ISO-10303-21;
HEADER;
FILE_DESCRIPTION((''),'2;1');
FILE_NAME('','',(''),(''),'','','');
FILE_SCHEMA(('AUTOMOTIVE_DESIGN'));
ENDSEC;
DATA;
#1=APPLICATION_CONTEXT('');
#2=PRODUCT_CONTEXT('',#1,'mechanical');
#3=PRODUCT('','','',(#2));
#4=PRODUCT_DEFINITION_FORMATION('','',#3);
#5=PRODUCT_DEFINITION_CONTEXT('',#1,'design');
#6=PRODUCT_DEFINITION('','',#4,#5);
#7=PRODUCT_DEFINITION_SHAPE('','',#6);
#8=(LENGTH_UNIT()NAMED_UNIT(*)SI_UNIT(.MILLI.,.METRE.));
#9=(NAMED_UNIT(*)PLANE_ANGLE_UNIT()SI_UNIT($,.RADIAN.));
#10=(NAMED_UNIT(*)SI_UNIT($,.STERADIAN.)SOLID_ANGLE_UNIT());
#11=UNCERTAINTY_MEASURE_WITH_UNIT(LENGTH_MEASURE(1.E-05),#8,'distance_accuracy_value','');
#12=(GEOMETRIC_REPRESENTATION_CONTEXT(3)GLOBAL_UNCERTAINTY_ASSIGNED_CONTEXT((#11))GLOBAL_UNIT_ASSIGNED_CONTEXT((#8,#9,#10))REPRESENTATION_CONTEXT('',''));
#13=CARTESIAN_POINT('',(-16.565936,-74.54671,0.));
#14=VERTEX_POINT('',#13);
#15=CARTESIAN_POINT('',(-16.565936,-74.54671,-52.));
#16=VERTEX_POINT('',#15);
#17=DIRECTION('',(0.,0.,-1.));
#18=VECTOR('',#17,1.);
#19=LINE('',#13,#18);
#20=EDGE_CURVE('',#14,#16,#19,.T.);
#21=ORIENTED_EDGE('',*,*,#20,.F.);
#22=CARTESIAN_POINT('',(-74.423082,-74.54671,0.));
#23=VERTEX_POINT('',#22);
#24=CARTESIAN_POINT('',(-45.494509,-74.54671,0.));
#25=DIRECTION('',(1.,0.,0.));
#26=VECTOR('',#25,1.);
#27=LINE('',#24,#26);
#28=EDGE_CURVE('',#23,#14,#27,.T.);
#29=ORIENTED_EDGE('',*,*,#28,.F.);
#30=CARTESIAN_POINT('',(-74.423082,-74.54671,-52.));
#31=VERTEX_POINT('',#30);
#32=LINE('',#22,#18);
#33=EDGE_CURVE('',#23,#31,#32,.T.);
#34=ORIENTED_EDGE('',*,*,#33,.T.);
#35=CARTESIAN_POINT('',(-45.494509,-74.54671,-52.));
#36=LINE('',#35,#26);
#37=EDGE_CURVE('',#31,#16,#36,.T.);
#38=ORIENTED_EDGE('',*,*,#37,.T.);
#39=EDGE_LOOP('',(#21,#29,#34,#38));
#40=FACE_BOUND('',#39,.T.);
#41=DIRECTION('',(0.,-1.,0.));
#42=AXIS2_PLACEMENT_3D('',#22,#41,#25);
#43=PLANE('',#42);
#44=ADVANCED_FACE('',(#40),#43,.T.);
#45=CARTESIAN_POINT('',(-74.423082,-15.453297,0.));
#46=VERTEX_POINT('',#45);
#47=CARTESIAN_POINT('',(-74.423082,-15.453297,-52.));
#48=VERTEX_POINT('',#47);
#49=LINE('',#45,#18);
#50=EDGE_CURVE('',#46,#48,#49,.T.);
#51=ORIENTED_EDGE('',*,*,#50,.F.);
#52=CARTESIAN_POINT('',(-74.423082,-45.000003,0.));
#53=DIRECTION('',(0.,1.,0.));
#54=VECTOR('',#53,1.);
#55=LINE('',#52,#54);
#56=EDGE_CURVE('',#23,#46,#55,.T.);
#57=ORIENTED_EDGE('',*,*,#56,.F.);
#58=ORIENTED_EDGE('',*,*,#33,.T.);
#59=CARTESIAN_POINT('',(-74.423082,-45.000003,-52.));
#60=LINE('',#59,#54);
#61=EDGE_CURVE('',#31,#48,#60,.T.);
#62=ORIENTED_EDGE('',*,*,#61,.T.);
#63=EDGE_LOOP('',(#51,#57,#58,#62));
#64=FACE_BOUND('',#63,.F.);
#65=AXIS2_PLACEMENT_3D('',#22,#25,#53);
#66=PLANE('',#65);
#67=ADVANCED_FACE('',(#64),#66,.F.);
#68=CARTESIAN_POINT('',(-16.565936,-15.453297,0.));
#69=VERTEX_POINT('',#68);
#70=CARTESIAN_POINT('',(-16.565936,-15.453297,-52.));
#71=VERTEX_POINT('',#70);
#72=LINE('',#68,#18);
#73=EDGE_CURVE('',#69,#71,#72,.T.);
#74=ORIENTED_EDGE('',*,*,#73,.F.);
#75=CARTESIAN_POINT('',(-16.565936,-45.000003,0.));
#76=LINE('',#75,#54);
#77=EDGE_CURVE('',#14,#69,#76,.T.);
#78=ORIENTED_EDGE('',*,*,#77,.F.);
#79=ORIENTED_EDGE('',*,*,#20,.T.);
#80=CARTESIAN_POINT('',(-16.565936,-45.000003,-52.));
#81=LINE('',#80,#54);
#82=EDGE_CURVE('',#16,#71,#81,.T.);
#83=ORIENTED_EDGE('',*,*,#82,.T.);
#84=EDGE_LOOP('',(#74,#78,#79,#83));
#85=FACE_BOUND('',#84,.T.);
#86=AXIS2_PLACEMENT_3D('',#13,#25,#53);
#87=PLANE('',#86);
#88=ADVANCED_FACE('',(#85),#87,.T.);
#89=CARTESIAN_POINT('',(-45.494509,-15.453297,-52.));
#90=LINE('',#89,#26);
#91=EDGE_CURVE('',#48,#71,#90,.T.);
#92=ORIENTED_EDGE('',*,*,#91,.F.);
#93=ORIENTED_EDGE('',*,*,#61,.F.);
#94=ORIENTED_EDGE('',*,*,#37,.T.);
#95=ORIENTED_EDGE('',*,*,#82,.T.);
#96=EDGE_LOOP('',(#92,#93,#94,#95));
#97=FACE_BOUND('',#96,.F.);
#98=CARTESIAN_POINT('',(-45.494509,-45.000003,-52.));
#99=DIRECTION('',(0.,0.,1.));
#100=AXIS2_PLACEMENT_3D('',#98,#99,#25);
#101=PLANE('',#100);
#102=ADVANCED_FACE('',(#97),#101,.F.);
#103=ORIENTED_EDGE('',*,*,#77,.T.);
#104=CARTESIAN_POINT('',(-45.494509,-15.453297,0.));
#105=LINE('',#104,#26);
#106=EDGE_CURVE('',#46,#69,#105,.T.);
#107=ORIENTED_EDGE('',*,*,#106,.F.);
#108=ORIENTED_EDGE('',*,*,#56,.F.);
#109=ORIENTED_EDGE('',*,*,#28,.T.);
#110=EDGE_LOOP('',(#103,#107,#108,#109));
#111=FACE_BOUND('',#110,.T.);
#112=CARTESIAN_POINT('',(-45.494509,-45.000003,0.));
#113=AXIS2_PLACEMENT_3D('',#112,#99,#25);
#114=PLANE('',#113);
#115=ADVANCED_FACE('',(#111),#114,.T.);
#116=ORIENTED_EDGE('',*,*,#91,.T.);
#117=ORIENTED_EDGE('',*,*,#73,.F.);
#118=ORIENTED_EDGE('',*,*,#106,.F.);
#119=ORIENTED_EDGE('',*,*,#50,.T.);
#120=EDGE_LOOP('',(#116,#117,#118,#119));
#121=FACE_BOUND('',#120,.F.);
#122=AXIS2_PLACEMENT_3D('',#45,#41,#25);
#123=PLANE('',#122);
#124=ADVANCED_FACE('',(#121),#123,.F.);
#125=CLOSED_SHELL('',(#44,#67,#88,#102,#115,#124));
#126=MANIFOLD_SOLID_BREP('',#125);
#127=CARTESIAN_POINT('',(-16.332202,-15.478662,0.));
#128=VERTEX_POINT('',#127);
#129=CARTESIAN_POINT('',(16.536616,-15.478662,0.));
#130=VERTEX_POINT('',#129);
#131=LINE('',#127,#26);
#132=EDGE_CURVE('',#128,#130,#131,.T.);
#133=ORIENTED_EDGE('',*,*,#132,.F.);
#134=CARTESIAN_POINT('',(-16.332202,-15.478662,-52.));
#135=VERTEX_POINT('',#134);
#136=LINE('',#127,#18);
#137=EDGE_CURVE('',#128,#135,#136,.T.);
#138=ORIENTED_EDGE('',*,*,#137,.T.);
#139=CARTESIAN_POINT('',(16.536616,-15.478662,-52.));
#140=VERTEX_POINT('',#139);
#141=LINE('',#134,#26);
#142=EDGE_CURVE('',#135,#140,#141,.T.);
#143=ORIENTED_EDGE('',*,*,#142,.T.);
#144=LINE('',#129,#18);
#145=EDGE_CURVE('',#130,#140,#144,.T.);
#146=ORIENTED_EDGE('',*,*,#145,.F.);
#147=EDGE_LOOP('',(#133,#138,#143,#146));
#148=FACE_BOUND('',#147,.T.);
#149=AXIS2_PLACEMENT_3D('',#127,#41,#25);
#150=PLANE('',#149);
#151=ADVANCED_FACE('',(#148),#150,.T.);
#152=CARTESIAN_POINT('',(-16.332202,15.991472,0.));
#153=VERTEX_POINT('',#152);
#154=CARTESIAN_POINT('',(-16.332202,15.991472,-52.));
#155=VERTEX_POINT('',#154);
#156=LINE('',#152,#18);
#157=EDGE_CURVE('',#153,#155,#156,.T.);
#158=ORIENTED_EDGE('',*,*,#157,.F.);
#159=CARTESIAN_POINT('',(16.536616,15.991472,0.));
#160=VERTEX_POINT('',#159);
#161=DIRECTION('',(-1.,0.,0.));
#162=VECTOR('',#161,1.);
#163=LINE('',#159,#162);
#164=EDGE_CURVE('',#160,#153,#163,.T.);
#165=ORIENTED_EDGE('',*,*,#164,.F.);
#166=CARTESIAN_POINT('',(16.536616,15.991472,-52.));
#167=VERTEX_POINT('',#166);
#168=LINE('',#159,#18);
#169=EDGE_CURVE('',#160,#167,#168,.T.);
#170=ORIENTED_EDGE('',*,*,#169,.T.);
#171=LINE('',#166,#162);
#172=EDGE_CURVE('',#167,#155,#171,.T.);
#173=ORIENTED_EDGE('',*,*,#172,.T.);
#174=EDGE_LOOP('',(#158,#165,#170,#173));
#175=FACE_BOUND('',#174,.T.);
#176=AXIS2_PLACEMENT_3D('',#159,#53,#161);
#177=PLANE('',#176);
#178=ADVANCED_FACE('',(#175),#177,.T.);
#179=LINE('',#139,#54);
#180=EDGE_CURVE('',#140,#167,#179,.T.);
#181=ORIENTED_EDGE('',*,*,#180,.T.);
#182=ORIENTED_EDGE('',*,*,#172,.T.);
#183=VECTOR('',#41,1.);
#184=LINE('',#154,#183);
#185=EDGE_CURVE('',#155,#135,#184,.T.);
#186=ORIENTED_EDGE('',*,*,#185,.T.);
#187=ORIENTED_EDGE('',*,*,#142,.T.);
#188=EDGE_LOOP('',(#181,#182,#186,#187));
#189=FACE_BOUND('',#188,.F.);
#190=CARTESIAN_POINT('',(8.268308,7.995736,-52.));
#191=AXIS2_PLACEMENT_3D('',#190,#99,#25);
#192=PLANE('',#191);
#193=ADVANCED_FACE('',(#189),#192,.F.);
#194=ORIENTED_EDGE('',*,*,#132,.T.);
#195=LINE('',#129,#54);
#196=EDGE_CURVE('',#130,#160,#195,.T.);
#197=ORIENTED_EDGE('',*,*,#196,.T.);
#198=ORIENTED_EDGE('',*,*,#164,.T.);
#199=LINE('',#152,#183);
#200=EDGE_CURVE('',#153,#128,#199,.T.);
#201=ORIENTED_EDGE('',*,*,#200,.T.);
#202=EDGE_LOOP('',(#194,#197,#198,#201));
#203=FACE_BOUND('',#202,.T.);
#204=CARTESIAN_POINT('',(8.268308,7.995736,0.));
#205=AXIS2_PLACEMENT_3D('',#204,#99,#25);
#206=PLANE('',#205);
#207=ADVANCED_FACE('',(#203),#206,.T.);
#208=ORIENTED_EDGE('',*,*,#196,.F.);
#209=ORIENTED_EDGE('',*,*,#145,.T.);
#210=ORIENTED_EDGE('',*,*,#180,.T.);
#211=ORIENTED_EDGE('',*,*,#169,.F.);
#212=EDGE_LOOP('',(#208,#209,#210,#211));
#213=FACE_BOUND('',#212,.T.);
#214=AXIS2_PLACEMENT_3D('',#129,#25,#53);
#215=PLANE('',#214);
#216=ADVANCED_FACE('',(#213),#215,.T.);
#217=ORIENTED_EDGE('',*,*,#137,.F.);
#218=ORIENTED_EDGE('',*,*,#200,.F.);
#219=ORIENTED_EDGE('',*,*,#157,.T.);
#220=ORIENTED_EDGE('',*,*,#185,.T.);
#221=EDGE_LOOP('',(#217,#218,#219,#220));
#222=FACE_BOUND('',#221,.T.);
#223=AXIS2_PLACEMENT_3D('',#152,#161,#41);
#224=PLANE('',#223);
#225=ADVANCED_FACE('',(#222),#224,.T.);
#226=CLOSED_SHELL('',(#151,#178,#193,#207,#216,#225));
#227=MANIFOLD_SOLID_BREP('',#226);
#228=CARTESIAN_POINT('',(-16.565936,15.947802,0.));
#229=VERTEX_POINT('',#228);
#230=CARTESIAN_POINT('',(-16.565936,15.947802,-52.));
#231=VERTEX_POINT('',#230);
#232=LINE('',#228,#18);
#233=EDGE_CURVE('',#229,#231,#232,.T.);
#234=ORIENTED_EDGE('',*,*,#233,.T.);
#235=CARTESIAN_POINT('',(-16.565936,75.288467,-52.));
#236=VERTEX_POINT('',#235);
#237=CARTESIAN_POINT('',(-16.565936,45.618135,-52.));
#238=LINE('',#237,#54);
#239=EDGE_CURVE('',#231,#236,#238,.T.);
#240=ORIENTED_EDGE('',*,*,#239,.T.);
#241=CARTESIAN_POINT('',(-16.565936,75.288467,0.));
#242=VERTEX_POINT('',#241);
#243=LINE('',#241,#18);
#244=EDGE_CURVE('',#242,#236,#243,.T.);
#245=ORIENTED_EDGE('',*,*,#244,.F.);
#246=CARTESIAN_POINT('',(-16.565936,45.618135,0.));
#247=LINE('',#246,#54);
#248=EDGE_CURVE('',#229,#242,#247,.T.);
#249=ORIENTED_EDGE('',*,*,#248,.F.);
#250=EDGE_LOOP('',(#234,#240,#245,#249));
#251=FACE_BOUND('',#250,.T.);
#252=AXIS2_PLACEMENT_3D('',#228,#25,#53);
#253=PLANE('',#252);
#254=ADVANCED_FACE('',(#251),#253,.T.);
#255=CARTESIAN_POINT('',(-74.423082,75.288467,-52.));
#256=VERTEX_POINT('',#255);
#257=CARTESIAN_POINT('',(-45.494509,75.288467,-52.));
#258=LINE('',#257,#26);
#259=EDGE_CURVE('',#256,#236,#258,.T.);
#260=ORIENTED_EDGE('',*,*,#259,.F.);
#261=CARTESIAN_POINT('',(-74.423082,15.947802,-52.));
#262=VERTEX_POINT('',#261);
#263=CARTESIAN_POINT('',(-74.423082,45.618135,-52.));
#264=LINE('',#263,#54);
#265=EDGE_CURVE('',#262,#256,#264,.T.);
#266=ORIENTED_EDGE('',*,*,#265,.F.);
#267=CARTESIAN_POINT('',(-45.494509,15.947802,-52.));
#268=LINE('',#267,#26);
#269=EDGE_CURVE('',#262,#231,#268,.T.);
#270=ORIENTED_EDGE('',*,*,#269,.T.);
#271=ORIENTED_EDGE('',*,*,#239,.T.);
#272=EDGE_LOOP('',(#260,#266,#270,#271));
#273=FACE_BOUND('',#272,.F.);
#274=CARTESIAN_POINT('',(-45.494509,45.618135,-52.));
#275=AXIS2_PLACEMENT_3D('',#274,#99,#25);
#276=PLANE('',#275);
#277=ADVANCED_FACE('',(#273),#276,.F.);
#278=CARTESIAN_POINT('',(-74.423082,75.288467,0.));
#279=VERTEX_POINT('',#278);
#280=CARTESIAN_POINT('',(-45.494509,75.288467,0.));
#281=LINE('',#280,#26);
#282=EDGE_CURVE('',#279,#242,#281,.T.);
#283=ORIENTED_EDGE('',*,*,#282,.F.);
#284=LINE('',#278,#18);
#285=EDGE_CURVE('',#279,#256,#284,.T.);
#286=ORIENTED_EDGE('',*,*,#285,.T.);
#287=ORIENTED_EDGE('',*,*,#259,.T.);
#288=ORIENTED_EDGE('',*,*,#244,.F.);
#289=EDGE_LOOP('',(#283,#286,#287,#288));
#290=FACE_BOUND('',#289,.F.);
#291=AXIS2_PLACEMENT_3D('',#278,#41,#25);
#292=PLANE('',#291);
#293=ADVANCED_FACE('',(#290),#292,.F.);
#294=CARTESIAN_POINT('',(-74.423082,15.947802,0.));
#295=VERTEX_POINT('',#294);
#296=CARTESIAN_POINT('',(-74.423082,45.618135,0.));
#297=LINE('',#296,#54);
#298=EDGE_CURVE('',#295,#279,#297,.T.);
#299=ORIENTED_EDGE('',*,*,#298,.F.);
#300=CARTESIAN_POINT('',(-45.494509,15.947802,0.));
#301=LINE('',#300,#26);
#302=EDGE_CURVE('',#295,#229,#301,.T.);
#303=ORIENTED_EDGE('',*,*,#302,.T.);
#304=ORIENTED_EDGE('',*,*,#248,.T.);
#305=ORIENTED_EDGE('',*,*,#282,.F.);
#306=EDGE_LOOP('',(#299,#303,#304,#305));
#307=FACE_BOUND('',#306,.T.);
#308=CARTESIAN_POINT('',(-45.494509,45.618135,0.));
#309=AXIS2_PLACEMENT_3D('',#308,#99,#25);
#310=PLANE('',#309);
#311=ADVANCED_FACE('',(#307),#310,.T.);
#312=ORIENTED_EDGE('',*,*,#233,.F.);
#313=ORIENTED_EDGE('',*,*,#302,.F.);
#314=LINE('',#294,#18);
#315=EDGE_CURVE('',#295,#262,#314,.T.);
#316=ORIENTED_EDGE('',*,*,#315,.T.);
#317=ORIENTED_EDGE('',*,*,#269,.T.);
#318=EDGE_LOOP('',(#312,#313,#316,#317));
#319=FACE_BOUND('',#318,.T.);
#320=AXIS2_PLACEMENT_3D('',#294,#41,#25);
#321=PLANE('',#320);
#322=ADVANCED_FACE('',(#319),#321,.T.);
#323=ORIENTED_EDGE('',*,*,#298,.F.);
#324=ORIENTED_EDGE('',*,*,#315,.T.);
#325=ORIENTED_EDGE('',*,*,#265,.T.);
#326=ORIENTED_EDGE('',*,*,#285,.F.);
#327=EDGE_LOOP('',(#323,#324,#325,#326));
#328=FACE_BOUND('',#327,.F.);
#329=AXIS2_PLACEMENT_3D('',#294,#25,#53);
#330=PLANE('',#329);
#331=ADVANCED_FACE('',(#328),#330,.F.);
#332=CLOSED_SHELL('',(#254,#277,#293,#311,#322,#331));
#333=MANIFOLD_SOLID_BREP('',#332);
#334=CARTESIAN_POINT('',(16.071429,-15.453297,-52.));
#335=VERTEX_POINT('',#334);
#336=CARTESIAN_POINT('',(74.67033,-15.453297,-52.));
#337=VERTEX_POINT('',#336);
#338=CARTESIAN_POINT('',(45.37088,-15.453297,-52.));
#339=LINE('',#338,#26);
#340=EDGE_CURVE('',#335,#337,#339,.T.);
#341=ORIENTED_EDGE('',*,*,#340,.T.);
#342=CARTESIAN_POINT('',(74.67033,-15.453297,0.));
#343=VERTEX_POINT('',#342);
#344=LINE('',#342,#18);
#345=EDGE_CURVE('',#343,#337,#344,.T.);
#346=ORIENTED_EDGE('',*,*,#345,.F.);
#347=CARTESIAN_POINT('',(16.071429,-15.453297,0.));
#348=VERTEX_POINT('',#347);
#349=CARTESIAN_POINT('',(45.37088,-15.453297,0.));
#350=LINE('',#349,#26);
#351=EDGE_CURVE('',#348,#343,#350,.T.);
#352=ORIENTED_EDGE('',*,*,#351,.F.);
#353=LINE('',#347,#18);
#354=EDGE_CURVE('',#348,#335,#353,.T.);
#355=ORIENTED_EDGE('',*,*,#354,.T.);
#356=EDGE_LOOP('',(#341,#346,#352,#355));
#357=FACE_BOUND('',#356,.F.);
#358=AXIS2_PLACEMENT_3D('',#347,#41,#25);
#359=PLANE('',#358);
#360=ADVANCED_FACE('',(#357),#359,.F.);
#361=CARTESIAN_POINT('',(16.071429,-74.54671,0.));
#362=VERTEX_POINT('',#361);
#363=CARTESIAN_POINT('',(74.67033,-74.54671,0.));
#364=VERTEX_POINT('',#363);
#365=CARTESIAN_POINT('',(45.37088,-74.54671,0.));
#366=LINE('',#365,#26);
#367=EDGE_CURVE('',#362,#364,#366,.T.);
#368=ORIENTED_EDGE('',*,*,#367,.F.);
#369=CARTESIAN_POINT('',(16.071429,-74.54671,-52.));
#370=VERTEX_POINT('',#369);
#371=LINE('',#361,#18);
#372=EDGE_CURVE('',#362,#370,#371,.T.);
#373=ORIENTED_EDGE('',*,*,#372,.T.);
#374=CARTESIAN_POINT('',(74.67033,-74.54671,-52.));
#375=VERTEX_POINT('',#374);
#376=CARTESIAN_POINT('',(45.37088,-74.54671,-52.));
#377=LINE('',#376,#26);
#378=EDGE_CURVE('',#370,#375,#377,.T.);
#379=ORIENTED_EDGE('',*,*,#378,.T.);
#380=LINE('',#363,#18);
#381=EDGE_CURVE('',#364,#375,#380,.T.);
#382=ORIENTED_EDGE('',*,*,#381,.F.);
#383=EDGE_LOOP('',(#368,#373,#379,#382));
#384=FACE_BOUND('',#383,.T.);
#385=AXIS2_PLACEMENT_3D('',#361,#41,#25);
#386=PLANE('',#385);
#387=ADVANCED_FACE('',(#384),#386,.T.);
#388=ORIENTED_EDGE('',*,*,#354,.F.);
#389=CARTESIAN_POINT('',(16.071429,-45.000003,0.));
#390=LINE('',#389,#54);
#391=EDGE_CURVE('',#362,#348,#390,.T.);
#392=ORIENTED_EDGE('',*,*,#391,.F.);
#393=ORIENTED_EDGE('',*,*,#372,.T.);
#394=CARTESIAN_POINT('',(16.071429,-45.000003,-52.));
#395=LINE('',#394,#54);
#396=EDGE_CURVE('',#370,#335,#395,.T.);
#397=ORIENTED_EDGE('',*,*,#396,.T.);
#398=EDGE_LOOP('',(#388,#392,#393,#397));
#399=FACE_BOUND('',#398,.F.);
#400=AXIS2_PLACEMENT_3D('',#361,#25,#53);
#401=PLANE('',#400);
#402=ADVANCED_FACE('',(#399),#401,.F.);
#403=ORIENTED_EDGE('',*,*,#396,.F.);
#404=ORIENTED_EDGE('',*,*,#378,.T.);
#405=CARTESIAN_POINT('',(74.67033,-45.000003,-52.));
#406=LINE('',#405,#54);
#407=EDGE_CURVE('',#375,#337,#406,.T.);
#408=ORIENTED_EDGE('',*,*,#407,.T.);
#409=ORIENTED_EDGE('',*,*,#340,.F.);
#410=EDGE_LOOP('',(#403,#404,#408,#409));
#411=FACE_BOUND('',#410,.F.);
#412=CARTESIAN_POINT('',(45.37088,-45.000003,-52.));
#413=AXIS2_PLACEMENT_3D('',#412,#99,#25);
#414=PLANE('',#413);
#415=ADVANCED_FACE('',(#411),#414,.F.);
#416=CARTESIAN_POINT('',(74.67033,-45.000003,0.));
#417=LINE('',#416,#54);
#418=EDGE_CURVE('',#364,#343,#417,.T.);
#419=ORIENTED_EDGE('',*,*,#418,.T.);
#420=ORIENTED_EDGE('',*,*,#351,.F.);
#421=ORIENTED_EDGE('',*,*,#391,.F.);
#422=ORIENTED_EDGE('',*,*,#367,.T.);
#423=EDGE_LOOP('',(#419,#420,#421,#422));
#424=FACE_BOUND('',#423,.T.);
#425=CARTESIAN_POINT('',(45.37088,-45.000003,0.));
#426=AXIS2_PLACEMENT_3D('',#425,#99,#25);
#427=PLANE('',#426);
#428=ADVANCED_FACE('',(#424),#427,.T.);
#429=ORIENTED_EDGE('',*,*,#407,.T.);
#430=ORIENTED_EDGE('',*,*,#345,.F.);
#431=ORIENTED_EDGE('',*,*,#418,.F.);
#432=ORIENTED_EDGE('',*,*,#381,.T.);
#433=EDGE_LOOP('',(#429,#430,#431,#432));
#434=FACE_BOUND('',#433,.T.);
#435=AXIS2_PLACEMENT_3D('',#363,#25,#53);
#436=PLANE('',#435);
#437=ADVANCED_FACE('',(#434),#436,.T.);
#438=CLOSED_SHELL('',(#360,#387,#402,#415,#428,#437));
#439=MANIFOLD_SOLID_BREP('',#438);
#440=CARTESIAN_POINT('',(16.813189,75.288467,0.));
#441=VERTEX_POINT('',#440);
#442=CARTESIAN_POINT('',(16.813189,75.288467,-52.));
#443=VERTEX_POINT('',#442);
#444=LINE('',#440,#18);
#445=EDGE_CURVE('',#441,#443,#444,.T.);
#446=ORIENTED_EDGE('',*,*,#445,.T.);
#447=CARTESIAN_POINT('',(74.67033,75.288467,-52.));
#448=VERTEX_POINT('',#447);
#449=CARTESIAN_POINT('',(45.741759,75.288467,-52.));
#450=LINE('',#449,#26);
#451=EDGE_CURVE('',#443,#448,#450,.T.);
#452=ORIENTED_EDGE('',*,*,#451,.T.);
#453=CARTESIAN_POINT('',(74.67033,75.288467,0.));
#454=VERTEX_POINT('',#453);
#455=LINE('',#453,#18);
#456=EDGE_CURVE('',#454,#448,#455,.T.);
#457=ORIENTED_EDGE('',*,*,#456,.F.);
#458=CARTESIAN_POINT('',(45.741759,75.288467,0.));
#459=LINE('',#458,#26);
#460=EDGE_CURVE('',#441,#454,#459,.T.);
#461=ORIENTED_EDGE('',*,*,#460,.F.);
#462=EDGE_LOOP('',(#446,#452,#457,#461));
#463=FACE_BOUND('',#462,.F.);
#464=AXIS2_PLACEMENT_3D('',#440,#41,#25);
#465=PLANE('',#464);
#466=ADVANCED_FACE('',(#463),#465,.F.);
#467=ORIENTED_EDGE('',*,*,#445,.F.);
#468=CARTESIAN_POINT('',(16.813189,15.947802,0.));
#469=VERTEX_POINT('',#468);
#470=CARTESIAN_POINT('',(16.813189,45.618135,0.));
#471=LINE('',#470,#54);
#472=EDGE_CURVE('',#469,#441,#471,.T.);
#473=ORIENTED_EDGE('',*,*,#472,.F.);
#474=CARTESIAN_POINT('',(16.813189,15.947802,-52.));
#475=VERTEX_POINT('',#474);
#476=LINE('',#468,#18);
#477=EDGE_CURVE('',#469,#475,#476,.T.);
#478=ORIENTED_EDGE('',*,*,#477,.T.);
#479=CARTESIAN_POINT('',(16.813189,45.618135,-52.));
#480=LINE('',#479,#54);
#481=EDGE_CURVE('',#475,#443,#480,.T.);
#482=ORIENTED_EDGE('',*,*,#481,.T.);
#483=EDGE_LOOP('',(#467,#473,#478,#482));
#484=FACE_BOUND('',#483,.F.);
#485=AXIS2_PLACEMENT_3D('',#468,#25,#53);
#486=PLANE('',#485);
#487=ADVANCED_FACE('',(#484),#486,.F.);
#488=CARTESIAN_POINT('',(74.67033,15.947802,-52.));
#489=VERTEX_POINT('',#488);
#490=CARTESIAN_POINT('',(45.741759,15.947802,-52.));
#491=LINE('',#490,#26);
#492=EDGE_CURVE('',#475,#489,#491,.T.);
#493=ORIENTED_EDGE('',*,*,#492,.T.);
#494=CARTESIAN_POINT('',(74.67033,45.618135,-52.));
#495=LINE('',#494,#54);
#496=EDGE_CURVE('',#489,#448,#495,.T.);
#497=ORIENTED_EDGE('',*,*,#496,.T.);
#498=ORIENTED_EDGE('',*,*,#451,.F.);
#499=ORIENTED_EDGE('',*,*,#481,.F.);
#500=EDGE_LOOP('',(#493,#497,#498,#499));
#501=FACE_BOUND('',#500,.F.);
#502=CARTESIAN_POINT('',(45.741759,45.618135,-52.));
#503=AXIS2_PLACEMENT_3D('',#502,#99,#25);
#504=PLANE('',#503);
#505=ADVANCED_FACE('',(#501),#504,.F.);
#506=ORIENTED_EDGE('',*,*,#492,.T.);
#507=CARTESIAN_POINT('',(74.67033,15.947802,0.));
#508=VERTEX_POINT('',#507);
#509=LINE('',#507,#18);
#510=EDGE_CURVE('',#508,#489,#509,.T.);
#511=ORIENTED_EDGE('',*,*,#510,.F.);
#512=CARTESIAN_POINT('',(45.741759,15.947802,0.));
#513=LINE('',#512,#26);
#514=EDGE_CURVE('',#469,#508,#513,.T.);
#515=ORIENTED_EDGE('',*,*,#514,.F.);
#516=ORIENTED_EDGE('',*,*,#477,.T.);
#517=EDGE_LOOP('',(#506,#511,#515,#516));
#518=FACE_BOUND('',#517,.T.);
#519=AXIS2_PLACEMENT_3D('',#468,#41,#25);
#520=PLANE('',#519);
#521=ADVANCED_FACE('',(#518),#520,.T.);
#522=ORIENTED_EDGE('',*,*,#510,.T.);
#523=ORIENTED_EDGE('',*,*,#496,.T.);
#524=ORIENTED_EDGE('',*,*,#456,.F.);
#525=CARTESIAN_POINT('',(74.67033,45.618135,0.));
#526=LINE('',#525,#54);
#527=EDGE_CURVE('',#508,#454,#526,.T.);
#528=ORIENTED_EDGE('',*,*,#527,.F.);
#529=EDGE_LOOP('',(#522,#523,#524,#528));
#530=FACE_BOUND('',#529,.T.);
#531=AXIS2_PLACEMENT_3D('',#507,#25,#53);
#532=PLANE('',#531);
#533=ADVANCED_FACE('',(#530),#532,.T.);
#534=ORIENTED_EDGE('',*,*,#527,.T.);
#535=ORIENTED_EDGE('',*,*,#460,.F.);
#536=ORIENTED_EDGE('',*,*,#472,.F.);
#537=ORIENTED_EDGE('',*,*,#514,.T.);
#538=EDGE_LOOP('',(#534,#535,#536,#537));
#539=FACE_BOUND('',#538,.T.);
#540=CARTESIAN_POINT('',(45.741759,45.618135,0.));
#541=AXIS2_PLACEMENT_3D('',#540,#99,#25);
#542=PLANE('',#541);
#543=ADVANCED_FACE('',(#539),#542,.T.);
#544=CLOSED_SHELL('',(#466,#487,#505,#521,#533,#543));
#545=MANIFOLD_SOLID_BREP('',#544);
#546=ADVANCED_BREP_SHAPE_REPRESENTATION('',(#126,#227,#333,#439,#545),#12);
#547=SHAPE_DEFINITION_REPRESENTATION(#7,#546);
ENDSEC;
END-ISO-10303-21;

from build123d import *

# Parameters (mm, degrees)
F1_W     = 57.8571464866
F1_H     = 59.0934129432
F2_DEPTH = 52
F1_W_2   = 58.5989002138
F1_W_3   = 57.8571408987
F1_H_2   = 59.3406651169
F0_W     = 16.5366157889
F0_H     = 15.9914717078
F0_W_2   = 16.3322016597
F0_H_2   = 15.4786622152


with BuildPart() as f2:
    # F1 (on Top) → F2 (new body)
    with BuildSketch(Plane.XY):
        with Locations((-45.4945089296, -45.0000031851)):
            Rectangle(F1_W, F1_H)
    extrude(amount=-F2_DEPTH)


with BuildPart() as f2b:
    # F1 (on Top) → F2, piece 2 (new body)
    with BuildSketch(Plane.XY):
        with Locations((45.3708795831, -45.0000031851)):
            Rectangle(F1_W_2, F1_H)
    extrude(amount=-F2_DEPTH)


with BuildPart() as f2c:
    # F1 (on Top) → F2, piece 3 (new body)
    with BuildSketch(Plane.XY):
        with Locations((45.7417592406, 45.6181345508)):
            Rectangle(F1_W_3, F1_H_2)
    extrude(amount=-F2_DEPTH)


with BuildPart() as f2d:
    # F1 (on Top) → F2, piece 4 (new body)
    with BuildSketch(Plane.XY):
        with Locations((-45.4945089296, 45.6181345508)):
            Rectangle(F1_W, F1_H_2)
    extrude(amount=-F2_DEPTH)


with BuildPart() as f2e:
    # F0 (on Top) → F2, piece 5 (new body)
    with BuildSketch(Plane.XY):
        with Locations((8.2683078945, 7.9957358539)):
            Rectangle(F0_W, F0_H)
        with Locations((-8.1661008298, -7.7393311076)):
            Rectangle(F0_W_2, F0_H_2)
        with Locations((-8.1661008298, 7.9957358539)):
            Rectangle(F0_W_2, F0_H)
        with Locations((8.2683078945, -7.7393311076)):
            Rectangle(F0_W, F0_H_2)
    extrude(amount=-F2_DEPTH)


solid = Compound([f2.part, f2b.part, f2c.part, f2d.part, f2e.part])
